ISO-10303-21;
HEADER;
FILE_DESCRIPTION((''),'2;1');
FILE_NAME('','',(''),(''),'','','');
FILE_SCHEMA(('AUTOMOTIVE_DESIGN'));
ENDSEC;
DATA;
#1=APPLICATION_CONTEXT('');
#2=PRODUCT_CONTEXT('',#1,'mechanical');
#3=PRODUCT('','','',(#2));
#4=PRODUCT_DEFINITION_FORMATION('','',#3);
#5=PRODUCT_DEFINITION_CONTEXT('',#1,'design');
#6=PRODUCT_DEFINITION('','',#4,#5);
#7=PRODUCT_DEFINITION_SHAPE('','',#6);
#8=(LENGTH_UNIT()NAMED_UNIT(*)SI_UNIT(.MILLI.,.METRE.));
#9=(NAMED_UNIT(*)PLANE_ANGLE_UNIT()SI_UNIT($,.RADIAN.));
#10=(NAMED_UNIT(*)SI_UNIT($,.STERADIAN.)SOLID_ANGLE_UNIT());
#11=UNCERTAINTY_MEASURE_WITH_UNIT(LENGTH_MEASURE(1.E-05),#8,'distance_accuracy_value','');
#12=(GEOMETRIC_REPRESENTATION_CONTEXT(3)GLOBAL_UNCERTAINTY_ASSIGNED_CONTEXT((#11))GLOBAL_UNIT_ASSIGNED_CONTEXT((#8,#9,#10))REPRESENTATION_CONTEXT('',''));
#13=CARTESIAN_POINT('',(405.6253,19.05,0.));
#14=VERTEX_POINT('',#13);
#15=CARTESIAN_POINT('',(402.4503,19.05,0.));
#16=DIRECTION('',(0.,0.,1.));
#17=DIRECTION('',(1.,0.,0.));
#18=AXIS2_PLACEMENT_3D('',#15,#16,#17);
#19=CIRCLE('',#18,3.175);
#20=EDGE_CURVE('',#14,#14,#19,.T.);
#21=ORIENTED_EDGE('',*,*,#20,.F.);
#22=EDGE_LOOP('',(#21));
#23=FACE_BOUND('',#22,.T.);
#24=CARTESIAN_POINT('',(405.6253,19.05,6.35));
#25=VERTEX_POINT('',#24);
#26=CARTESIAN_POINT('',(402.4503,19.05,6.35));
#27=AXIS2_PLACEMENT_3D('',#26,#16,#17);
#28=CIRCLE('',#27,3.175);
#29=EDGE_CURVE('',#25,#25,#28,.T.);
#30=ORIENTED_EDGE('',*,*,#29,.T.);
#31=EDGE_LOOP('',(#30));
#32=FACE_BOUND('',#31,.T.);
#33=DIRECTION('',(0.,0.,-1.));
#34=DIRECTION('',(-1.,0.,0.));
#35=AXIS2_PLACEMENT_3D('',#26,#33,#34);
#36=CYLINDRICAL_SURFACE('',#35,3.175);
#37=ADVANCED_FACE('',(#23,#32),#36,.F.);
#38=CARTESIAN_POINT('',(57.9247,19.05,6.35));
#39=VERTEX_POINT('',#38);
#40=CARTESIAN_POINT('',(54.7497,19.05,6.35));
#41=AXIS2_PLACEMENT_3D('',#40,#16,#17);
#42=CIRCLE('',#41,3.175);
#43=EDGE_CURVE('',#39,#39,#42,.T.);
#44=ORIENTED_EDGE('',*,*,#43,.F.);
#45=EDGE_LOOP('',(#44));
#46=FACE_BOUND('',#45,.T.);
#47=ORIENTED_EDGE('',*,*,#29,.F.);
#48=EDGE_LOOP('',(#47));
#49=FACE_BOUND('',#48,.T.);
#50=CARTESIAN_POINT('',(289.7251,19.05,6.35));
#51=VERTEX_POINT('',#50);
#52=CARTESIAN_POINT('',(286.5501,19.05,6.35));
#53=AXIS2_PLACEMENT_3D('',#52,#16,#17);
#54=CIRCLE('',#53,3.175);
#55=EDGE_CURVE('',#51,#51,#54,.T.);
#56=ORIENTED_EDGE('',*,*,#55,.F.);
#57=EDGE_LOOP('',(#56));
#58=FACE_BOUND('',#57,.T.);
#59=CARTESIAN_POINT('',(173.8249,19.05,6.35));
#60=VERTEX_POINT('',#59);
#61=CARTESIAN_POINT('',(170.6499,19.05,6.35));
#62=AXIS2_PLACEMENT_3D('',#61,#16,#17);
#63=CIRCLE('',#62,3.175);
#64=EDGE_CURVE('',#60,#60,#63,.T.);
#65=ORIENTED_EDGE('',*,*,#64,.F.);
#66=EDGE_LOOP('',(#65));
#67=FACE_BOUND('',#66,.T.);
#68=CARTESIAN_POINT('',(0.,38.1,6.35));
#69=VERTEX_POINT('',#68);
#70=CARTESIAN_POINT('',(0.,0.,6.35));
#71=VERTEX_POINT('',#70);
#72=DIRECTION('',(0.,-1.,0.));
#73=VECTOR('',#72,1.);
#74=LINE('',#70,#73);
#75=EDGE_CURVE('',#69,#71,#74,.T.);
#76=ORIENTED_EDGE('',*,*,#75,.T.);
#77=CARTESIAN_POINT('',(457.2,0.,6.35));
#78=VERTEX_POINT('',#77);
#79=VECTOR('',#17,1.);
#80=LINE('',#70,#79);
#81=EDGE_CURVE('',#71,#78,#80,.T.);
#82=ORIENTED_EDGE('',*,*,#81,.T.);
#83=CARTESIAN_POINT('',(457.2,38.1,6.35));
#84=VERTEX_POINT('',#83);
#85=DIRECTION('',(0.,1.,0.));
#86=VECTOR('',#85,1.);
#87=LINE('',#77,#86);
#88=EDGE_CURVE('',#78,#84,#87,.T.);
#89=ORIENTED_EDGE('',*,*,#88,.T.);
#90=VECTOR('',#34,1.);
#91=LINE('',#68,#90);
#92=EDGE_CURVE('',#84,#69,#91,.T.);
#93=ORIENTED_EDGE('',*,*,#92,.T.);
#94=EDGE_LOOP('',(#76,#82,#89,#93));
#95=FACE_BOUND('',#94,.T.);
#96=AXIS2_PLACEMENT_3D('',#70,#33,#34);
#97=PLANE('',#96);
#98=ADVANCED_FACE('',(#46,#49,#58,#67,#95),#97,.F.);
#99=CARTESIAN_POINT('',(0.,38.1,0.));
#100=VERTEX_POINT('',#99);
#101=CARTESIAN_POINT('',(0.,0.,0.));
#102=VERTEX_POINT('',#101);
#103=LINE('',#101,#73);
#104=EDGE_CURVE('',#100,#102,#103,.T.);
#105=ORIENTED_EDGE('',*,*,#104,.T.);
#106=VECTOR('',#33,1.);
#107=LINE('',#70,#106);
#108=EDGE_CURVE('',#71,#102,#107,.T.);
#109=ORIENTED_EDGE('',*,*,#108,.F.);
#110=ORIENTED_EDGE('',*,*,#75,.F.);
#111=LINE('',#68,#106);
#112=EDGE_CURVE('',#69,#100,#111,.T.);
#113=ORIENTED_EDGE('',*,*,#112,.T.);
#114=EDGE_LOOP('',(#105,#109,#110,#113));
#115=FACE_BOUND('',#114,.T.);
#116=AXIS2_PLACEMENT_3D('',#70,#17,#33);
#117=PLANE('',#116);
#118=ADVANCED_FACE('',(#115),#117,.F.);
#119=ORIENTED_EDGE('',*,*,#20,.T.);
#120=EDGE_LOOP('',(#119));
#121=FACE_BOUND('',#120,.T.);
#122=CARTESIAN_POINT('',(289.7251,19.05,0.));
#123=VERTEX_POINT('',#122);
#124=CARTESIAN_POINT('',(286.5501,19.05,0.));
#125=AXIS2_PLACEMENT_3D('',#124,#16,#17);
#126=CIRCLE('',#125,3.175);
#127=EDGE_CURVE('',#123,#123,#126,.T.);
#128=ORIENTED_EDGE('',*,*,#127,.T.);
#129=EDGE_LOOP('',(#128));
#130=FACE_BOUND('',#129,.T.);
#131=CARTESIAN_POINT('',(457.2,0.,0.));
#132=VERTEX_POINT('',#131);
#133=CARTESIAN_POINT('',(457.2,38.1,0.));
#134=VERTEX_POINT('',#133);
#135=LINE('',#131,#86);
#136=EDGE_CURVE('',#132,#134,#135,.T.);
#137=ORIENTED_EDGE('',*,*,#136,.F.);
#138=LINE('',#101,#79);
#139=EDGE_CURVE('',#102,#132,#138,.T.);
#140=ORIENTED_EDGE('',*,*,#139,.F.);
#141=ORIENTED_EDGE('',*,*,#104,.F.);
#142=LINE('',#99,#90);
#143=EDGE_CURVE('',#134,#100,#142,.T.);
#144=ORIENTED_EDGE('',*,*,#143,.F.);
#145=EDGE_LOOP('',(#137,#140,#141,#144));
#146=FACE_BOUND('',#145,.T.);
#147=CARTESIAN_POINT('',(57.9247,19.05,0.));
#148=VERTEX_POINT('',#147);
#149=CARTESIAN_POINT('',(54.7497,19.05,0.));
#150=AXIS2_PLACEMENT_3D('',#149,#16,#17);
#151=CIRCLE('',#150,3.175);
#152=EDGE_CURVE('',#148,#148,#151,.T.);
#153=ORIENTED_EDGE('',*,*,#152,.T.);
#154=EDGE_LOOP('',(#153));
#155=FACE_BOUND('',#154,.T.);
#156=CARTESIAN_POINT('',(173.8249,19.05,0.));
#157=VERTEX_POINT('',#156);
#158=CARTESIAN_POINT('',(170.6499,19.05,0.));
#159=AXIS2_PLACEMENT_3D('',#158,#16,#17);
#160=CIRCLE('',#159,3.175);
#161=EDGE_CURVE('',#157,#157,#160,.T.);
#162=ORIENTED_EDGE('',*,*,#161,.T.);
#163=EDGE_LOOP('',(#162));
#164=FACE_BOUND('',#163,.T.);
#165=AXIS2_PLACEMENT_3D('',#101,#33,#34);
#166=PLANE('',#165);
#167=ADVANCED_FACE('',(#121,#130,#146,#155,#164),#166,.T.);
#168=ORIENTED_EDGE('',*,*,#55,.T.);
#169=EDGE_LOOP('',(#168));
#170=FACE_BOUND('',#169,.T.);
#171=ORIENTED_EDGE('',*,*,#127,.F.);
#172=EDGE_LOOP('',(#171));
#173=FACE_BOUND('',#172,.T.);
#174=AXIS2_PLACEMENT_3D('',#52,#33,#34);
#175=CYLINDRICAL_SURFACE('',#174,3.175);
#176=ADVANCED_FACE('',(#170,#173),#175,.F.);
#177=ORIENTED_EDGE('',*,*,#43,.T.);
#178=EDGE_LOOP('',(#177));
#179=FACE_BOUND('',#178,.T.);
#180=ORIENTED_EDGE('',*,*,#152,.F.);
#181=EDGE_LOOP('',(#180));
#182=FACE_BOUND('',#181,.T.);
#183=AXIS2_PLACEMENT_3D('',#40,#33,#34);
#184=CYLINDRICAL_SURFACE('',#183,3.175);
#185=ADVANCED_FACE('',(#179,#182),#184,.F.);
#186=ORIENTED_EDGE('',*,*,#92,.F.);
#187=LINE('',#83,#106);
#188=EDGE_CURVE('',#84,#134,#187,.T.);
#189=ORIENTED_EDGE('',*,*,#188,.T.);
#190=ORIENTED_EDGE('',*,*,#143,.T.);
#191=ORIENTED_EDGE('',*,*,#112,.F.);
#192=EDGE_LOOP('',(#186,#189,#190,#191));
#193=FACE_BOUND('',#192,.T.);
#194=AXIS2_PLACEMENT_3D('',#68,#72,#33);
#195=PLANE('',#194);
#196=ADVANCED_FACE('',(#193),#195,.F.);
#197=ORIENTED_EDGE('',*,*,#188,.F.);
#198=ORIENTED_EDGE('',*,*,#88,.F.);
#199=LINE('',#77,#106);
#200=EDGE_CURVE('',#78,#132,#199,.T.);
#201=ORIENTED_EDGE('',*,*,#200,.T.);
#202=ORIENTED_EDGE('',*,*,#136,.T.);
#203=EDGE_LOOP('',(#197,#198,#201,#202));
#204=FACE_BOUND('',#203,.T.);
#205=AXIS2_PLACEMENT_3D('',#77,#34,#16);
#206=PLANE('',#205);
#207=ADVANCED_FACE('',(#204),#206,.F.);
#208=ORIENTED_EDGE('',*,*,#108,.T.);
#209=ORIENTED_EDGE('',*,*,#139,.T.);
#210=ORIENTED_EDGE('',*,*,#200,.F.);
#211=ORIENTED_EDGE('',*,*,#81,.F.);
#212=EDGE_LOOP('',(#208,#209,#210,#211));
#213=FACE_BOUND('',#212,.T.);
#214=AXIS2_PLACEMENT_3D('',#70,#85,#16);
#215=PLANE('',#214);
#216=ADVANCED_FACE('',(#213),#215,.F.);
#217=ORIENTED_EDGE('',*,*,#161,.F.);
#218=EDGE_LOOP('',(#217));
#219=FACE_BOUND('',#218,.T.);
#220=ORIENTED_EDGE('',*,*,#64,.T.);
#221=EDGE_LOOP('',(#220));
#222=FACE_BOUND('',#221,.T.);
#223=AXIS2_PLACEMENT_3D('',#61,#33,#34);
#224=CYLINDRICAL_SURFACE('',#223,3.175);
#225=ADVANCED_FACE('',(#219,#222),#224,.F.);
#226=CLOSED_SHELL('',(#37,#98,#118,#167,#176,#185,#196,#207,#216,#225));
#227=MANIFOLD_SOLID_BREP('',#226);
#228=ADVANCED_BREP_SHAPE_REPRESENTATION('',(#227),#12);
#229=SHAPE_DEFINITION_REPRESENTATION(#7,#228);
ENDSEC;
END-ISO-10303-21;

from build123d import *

# Parameters (mm, degrees)
SKETCH1_W           = 457.2
SKETCH1_H           = 38.1
SKETCH1_R           = 3.175
BOSS_EXTRUDE1_DEPTH = 6.35


with BuildPart() as part:
    # Sketch1 → Boss-Extrude1 (new body)
    with BuildSketch(Plane.XY):
        with Locations((228.6, 19.05)):
            Rectangle(SKETCH1_W, SKETCH1_H)
        with Locations((54.7497, 19.05)):
            Circle(SKETCH1_R, mode=Mode.SUBTRACT)
        with Locations((170.6499, 19.05)):
            Circle(SKETCH1_R, mode=Mode.SUBTRACT)
        with Locations((286.5501, 19.05)):
            Circle(SKETCH1_R, mode=Mode.SUBTRACT)
        with Locations((402.4503, 19.05)):
            Circle(SKETCH1_R, mode=Mode.SUBTRACT)
    extrude(amount=BOSS_EXTRUDE1_DEPTH)


solid = part.part
